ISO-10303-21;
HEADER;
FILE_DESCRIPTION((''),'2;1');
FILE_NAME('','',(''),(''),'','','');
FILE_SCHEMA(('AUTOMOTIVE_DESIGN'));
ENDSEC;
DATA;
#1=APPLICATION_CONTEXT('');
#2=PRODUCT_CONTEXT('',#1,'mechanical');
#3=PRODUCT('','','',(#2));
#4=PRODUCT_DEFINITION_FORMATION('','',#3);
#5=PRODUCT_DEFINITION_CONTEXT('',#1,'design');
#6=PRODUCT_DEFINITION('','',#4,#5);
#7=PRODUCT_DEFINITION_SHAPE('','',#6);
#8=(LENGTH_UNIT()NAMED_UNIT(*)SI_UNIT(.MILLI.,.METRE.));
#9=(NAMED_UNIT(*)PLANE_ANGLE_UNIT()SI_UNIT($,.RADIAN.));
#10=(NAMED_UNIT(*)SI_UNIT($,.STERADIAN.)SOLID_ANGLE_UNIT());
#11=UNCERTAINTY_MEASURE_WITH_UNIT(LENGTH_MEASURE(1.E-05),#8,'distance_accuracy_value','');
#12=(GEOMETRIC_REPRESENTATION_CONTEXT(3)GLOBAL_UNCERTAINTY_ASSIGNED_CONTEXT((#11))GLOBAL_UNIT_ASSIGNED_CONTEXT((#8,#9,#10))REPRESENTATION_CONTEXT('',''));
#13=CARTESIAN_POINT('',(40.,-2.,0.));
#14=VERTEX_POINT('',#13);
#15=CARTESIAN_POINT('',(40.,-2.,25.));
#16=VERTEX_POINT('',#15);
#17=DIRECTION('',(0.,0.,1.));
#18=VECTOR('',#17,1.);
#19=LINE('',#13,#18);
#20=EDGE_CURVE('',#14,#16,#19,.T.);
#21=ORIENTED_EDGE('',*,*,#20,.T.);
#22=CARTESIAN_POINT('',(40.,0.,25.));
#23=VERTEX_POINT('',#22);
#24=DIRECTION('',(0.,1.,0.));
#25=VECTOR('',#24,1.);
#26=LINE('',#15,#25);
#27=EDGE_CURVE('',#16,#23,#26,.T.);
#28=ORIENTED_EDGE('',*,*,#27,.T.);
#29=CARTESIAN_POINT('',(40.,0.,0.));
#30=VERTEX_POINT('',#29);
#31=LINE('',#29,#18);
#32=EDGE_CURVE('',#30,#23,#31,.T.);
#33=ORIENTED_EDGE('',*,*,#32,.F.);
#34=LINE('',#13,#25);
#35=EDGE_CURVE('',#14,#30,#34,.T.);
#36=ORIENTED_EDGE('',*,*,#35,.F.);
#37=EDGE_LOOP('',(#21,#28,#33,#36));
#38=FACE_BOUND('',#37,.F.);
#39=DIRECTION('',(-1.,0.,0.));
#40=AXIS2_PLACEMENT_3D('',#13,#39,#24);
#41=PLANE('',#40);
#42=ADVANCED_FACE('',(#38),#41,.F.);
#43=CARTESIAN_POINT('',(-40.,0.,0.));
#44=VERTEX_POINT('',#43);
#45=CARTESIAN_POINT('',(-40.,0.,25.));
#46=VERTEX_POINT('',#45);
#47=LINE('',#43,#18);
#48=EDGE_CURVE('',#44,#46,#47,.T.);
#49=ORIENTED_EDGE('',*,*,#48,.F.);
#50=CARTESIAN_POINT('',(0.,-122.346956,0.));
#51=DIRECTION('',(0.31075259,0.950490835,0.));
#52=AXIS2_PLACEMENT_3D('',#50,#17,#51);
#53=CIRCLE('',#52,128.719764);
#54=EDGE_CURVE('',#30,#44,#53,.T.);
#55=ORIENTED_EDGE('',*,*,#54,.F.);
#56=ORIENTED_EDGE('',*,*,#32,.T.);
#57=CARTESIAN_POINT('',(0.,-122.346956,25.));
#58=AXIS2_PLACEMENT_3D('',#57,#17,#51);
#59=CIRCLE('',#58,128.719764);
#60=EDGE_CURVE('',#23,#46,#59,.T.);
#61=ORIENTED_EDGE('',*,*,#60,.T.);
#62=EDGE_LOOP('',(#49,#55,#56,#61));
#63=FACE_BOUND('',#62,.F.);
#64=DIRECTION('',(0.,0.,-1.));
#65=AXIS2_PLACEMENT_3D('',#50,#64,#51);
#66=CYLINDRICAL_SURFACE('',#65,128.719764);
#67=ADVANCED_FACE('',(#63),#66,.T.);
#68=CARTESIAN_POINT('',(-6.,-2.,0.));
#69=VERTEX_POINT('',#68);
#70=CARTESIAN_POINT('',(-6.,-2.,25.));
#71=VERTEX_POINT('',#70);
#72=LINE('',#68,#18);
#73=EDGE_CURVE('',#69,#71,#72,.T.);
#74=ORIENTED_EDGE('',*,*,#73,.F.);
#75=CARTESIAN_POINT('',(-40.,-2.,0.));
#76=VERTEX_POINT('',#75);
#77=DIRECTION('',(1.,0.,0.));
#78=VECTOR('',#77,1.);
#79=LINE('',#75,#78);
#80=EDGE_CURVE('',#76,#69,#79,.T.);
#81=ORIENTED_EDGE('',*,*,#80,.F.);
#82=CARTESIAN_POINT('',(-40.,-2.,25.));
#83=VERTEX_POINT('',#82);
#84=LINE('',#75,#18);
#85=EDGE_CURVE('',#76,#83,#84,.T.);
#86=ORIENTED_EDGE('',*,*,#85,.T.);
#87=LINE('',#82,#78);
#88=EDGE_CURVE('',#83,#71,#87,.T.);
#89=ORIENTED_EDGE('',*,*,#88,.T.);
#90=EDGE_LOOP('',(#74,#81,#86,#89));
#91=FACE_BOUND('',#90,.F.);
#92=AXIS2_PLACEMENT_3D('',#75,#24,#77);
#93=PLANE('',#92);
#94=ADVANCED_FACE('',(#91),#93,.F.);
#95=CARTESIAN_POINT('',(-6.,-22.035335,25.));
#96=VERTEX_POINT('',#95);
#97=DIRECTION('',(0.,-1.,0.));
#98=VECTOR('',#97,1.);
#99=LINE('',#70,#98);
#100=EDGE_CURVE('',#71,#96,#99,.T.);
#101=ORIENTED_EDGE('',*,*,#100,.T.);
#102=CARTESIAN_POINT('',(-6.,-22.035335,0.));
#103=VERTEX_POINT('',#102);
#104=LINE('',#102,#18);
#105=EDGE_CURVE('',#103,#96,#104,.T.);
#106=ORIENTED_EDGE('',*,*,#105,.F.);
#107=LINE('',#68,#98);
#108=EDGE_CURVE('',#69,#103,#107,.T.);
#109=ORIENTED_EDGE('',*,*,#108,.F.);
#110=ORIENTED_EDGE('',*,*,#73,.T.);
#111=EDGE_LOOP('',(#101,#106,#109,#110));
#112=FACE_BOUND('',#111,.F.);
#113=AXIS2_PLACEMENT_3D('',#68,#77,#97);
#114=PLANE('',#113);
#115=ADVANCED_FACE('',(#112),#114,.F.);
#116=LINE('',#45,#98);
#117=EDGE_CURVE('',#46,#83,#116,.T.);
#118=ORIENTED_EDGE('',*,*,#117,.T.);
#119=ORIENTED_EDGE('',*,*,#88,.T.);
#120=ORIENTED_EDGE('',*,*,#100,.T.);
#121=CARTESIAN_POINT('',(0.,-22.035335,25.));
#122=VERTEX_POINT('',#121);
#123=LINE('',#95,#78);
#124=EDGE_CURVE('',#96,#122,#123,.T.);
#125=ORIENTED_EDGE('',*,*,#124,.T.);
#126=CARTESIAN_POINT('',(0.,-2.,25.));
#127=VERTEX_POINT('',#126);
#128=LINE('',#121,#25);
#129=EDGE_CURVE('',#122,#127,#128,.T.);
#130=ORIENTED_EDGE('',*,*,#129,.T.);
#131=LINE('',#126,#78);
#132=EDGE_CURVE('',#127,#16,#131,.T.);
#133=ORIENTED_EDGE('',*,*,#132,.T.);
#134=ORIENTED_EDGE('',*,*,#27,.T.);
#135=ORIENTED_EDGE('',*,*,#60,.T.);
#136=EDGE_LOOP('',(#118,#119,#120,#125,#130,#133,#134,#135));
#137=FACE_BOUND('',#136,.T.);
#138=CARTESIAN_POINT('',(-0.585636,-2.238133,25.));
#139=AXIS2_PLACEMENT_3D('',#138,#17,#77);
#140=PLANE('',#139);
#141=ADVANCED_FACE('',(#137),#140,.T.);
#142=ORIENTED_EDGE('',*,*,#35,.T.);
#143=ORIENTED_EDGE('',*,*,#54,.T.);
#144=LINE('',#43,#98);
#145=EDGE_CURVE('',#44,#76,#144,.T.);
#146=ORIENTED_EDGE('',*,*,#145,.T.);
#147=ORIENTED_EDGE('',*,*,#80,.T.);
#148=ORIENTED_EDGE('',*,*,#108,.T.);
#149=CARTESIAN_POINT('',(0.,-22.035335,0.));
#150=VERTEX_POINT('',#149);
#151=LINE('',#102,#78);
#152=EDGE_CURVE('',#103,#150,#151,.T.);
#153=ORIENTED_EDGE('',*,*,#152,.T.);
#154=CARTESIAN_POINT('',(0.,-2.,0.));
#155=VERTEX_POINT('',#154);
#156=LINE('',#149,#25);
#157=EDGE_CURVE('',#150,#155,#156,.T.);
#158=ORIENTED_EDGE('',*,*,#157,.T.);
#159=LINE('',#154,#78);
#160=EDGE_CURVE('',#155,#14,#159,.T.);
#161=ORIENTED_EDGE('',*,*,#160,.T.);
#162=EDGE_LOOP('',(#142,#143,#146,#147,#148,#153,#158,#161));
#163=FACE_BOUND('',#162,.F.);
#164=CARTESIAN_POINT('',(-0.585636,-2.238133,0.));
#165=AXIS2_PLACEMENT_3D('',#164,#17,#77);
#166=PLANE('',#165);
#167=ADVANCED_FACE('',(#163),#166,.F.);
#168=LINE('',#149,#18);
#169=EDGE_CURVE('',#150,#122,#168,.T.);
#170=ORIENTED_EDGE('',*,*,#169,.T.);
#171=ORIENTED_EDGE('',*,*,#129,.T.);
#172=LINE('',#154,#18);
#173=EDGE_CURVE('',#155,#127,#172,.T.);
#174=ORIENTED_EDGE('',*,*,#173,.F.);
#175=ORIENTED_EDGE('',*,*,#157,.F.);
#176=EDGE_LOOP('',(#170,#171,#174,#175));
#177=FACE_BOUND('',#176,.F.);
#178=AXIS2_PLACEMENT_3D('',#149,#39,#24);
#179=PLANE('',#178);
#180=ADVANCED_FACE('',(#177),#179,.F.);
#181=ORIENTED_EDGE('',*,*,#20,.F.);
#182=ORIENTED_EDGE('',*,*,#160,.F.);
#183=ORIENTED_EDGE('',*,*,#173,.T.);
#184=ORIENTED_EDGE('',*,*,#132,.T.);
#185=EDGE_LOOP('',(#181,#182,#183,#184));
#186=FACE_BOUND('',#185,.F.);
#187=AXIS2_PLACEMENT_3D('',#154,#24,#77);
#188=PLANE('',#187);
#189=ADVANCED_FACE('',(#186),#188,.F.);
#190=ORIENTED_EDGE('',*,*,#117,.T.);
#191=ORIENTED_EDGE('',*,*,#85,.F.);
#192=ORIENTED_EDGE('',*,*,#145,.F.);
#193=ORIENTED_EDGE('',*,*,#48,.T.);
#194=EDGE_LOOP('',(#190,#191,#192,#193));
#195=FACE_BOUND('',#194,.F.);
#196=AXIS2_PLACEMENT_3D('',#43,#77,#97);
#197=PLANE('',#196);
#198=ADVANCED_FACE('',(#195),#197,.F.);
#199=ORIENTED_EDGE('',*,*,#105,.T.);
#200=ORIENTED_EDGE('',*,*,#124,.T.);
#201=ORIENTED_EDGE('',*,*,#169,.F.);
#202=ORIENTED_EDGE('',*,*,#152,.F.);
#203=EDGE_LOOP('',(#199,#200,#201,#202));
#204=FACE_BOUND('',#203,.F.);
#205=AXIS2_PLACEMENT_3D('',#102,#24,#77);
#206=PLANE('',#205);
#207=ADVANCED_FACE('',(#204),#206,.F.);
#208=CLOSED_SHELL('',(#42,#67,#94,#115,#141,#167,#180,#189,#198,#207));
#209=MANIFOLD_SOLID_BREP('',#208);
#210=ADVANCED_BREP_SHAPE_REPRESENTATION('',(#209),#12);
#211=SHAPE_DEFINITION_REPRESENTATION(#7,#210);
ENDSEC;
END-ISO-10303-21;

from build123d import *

# Parameters (mm, degrees)
F1_DEPTH = 25


with BuildPart() as f1:
    # F0 (on Top) → F1 (new body)
    with BuildSketch(Plane.XY):
        with BuildLine():
            Line((40, -2), (40, 0))
            ThreePointArc((40, 0), (0, 6.372808), (-40, 0))
            Line((-40, 0), (-40, -2))
            Line((-40, -2), (-6, -2))
            Line((-6, -2), (-6, -22.035335))
            Line((-6, -22.035335), (0, -22.035335))
            Line((0, -22.035335), (0, -2))
            Line((0, -2), (40, -2))
        make_face()
    extrude(amount=F1_DEPTH)


solid = f1.part
